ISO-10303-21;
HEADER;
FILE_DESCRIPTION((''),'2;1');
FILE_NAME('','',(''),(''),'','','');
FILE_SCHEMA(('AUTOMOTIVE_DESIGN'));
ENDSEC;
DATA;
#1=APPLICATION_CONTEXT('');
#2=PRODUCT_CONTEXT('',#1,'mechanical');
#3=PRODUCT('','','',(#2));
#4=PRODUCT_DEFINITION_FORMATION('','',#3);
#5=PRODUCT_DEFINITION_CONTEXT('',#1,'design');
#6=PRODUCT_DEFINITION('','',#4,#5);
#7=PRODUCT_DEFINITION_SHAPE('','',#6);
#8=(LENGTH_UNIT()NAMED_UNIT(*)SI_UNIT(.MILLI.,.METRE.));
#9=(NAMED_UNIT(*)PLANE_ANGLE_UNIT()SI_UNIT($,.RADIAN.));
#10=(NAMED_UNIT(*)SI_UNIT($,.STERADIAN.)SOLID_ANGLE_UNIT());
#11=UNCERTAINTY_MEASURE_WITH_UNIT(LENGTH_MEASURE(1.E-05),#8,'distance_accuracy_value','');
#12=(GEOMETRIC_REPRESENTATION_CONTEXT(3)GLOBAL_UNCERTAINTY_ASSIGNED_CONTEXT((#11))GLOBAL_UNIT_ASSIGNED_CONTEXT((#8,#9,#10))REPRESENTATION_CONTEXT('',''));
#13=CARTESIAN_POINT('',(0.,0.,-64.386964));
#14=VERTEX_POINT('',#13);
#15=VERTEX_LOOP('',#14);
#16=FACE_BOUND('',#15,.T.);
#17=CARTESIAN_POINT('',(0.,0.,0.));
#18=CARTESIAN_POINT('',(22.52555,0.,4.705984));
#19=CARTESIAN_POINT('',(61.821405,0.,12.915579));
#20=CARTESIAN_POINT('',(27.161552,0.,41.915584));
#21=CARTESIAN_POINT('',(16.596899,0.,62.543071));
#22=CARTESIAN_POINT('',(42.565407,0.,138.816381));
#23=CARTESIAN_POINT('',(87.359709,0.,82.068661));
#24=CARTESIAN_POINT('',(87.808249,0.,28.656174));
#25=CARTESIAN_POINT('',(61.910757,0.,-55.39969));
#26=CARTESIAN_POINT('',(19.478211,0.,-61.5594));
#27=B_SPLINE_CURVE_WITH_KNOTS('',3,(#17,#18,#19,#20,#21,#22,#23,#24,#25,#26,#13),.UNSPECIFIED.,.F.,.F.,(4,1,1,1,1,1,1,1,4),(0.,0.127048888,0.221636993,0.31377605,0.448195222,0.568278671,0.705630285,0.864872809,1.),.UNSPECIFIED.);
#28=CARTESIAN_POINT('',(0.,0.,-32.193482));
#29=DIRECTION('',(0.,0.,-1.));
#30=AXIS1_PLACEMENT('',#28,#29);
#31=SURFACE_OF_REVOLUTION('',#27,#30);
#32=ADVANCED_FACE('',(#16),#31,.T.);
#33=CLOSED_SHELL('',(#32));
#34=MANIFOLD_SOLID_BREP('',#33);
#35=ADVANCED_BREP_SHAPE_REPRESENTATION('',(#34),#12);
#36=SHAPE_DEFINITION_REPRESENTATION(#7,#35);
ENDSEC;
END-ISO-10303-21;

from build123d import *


with BuildPart() as f1:
    # F0 (on Front) → F1 (revolve)
    with BuildSketch(Plane.XZ):
        with BuildLine():
            add(Edge.make_bspline(
                [(0, 0), (22.5255502006, 4.705983897), (61.8214051533, 12.9155794116), (27.1615520383, 41.9155839326), (16.596899478, 62.543071312), (42.5654074917, 138.8163809047), (87.3597086604, 82.0686614388), (87.8082490129, 28.656173961), (61.9107570247, -55.3996897788), (19.4782111993, -61.5593998189), (0, -64.3869638443)],
                knots=[0, 0, 0, 0, 0.1270488876, 0.2216369927, 0.3137760498, 0.4481952223, 0.5682786705, 0.7056302853, 0.8648728093, 1, 1, 1, 1], degree=3))
            Line((0, 0), (0, -64.3869638443))
        make_face()
    revolve(axis=Axis((0, 0, -32.1934819221), (0, 0, -1)))


solid = f1.part
